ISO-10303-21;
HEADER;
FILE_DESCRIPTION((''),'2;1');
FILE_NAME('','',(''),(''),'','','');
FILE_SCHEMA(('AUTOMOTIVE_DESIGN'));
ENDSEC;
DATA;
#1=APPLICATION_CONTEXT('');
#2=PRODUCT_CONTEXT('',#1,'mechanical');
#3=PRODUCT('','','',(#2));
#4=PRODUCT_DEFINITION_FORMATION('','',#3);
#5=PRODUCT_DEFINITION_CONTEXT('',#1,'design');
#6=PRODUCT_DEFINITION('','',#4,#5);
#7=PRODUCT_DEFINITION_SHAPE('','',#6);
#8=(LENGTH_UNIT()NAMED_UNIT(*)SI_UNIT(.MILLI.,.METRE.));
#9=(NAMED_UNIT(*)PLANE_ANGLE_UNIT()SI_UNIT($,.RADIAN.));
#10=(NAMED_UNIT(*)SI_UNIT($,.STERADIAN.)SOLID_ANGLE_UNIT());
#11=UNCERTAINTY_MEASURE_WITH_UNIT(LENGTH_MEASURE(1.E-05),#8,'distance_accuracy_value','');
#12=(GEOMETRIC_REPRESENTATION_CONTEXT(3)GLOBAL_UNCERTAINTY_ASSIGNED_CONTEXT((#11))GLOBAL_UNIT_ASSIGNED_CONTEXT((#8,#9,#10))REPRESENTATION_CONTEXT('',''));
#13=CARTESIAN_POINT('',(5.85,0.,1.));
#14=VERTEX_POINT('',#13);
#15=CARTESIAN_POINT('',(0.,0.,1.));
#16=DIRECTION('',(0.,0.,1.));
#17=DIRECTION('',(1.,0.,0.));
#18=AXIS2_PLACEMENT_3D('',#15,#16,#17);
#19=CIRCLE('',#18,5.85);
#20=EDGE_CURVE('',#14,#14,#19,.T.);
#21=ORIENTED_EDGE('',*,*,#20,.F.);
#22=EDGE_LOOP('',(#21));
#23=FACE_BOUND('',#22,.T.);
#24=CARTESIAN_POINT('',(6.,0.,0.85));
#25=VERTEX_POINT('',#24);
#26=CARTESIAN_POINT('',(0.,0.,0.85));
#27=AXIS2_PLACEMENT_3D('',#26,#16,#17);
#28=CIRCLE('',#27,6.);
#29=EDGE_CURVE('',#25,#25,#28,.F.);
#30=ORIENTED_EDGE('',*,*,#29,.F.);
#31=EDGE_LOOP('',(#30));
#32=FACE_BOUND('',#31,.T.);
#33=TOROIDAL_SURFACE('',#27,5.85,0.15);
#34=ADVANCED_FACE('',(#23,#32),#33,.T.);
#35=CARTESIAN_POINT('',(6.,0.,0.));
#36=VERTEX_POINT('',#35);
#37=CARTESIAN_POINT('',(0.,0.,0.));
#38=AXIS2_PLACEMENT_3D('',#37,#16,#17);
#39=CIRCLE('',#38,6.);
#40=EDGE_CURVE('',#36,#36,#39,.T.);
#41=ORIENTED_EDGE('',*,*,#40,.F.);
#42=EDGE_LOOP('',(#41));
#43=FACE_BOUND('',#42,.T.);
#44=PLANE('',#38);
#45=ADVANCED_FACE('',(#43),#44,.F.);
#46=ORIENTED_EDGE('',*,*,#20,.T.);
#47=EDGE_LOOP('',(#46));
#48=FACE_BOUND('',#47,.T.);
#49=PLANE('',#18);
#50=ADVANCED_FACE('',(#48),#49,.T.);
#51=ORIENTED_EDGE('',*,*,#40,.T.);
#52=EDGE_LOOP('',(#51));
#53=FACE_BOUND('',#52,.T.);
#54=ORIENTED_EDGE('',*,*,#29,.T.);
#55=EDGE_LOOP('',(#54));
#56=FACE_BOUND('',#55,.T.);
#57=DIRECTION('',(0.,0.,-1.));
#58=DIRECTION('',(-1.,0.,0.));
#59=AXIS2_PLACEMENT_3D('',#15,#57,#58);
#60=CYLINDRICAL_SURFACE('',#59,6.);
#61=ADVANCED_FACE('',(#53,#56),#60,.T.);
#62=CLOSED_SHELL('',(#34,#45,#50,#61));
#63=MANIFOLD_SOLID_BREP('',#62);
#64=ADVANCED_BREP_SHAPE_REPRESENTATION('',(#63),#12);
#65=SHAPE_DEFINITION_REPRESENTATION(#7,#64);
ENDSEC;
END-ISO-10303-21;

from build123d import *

# Parameters (mm, degrees)
SKETCH_1_R      = 6
EXTRUDE_1_DEPTH = 1
FILLET_1_R      = 0.15


with BuildPart() as part:
    # 草图1 → 凸台-拉伸1 (new body)
    with BuildSketch(Plane.XY):
        Circle(SKETCH_1_R)
    extrude(amount=EXTRUDE_1_DEPTH)

    # 圆角1
    fillet_1_edges = [part.edges().sort_by_distance(p)[0] for p in [
        (-6, 0, 1),
    ]]
    fillet(fillet_1_edges, radius=FILLET_1_R)


solid = part.part
